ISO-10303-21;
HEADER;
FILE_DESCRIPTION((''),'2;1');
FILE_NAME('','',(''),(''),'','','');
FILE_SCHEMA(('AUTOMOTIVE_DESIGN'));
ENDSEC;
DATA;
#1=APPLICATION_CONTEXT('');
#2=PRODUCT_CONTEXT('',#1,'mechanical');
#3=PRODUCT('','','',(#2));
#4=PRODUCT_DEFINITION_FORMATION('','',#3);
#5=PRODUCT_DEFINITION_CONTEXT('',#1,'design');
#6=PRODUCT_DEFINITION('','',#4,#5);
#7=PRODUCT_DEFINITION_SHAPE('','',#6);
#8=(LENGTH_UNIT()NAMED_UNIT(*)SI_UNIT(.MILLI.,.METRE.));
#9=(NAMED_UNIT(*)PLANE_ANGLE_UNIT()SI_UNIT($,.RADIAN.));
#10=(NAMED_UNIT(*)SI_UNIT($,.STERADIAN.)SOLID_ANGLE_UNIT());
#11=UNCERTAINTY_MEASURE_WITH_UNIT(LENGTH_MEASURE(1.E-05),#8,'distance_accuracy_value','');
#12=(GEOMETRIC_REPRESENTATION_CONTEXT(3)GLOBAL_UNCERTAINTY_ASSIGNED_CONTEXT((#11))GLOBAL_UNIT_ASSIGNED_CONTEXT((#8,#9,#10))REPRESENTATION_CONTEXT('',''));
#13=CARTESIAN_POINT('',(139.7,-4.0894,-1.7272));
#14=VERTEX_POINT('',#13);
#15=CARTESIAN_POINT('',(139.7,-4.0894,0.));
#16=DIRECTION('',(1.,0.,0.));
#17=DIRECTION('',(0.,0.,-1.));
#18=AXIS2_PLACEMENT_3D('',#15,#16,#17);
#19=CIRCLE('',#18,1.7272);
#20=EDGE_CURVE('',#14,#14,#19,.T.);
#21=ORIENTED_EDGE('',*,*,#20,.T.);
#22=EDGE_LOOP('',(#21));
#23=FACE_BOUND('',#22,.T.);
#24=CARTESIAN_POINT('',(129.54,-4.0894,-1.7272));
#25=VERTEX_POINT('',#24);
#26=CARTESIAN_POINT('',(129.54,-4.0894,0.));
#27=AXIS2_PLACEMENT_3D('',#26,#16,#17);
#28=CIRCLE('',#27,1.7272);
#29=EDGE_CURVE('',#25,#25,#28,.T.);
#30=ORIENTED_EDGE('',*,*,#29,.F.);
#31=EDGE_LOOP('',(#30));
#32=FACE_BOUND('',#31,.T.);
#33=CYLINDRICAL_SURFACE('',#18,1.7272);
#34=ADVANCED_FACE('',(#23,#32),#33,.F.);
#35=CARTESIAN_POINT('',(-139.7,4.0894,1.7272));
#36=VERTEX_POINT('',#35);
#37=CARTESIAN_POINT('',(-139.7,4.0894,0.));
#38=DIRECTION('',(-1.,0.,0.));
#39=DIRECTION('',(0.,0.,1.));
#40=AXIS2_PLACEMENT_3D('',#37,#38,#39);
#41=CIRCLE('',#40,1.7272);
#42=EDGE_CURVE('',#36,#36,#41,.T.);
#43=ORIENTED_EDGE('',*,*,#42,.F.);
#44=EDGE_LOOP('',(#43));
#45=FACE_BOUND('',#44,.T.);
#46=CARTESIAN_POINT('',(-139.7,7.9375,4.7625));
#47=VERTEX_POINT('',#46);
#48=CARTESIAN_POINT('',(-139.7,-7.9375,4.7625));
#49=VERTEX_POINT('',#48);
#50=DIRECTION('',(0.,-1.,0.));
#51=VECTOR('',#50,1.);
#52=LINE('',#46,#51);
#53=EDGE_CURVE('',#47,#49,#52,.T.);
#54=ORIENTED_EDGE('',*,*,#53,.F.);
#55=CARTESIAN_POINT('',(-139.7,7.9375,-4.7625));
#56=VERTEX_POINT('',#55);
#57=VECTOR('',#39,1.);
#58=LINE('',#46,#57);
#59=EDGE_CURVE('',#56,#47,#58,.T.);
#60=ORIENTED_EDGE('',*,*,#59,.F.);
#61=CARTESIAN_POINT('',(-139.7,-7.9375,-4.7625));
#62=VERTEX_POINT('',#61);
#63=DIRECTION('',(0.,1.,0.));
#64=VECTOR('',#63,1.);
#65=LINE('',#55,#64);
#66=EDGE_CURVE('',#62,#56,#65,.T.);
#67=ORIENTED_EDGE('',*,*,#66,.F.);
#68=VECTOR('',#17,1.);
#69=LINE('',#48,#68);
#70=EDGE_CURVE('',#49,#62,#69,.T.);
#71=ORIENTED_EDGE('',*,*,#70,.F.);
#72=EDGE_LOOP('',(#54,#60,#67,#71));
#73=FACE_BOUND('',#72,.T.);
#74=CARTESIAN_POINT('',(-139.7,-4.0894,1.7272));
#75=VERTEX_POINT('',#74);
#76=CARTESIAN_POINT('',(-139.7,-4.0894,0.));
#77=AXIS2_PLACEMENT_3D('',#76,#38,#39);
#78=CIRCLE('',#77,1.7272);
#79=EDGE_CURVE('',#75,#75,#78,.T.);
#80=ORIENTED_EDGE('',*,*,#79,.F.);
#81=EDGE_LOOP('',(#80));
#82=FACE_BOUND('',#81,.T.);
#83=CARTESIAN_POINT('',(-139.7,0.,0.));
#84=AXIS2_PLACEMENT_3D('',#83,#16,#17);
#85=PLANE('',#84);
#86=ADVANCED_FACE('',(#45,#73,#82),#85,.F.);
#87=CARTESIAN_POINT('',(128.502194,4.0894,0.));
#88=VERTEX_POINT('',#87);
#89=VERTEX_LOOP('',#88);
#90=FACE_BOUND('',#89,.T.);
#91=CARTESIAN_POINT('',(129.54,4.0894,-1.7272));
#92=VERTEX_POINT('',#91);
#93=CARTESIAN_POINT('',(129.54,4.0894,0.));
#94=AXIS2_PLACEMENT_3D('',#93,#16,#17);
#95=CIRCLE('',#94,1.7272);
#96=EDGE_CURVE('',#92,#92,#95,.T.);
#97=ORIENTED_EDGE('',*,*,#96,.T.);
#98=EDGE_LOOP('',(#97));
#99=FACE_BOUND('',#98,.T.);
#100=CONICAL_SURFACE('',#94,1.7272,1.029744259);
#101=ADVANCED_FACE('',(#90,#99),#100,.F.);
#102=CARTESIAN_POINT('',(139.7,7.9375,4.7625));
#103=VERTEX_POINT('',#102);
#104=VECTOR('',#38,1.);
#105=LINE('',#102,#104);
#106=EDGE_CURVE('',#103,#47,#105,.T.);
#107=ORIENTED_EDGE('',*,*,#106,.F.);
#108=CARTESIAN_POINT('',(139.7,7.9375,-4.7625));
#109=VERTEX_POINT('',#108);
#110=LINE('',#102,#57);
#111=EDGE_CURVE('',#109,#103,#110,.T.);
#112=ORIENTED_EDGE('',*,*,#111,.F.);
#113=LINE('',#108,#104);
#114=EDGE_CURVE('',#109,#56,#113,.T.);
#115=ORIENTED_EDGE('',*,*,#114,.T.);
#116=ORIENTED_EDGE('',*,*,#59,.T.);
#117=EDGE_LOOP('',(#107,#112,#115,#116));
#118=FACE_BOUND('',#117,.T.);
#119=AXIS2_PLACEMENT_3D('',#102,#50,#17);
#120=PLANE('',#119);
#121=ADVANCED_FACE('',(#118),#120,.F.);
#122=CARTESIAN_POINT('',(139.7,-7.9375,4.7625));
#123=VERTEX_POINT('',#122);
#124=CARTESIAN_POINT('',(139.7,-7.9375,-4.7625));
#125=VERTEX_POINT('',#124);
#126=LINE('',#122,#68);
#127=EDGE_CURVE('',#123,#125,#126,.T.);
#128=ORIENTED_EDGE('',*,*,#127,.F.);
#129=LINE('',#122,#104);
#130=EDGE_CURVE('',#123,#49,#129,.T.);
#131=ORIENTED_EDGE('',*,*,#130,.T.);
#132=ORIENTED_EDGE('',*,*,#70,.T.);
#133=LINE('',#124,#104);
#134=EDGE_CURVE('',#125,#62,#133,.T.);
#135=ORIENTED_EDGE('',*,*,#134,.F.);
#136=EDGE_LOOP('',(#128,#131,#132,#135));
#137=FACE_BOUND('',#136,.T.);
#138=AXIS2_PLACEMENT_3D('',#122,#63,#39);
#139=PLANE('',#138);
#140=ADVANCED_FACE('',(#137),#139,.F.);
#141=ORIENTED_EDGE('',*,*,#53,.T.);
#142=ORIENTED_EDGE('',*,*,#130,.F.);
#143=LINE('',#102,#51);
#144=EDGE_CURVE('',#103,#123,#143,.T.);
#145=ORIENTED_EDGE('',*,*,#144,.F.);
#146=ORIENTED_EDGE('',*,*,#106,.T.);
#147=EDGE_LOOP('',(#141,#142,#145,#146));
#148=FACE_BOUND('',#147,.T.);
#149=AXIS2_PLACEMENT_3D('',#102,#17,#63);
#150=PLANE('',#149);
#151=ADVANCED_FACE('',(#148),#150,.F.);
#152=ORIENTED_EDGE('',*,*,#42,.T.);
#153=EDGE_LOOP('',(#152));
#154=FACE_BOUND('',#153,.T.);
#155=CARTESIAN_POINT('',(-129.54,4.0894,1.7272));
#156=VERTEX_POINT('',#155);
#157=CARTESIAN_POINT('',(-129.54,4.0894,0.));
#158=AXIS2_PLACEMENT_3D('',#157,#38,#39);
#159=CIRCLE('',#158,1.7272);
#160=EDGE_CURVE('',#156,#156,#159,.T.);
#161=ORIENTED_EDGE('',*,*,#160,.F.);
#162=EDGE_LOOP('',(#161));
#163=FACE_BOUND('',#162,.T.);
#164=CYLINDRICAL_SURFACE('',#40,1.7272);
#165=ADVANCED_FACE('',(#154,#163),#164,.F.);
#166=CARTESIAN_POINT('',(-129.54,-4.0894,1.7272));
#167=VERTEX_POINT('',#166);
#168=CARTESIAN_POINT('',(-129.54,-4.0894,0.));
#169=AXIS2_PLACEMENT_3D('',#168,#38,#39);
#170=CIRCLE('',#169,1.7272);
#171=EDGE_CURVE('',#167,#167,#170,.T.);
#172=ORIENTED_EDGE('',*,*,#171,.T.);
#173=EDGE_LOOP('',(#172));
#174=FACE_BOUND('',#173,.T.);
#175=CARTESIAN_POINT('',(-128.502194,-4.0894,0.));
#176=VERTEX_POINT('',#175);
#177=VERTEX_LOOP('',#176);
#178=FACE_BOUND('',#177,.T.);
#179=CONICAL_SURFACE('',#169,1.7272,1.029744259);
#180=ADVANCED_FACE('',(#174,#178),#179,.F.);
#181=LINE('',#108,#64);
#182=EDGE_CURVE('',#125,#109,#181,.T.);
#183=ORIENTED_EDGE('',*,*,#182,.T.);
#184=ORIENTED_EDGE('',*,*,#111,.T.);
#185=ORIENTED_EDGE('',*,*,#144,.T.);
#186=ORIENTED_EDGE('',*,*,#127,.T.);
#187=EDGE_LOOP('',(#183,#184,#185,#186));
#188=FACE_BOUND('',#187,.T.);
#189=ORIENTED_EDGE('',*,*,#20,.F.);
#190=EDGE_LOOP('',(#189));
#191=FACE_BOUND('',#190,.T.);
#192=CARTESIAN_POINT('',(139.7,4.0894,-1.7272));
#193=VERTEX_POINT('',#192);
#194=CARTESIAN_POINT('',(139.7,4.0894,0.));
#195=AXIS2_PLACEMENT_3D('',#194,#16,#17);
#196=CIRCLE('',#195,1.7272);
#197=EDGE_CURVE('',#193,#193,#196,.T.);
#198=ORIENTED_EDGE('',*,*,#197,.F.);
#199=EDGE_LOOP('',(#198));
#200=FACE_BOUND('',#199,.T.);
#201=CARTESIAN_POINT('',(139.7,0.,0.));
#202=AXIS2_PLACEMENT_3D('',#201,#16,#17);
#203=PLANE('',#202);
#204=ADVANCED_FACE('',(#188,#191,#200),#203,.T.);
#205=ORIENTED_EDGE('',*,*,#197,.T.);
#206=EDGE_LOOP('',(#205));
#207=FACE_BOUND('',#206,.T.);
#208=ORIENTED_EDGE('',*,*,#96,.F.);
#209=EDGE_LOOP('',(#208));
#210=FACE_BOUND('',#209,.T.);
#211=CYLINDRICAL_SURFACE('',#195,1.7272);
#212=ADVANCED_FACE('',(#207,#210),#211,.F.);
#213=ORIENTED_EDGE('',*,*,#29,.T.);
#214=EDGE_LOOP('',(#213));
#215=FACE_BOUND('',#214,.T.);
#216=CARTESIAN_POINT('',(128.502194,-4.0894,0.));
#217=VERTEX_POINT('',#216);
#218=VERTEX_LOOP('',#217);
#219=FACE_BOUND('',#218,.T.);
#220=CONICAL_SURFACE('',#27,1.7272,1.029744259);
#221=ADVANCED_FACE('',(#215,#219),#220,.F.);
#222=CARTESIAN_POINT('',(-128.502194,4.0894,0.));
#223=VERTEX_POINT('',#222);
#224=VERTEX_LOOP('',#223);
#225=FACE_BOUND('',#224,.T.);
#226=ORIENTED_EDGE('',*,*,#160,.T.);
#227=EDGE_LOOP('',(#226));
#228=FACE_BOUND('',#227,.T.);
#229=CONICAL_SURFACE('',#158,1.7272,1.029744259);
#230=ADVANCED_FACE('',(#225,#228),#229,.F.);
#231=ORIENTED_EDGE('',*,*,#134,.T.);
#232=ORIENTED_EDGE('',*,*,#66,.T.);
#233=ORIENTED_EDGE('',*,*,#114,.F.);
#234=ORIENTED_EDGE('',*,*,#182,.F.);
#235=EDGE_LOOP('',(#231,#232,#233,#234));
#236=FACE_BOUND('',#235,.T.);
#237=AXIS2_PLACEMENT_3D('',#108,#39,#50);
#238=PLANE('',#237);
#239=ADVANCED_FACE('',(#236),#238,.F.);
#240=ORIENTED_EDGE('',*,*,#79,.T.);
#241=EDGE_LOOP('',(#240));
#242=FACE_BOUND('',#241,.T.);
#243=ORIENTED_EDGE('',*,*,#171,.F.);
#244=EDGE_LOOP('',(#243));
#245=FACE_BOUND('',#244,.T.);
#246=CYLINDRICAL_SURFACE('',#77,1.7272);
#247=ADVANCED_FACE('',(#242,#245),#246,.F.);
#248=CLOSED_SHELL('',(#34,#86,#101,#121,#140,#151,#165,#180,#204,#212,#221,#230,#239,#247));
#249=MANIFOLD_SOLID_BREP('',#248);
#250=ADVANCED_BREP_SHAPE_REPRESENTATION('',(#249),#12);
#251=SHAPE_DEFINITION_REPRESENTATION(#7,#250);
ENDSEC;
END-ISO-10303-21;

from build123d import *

# Parameters (mm, degrees)
SKETCH1_W                          = 9.525
SKETCH1_H                          = 15.875
BOSS_EXTRUDE1_DEPTH                = 139.7
TAP_DRILL_FOR_8_32_TAP1_AT_2_COUNT = 2
TAP_DRILL_FOR_8_32_TAP1_AT_2_PITCH = 8.1788


with BuildPart() as part:
    # Sketch1 → Boss-Extrude1 (new, symmetric)
    with BuildSketch(Plane(origin=(0, 0, 0), x_dir=(0, 0, -1), z_dir=(1, 0, 0))):
        Rectangle(SKETCH1_W, SKETCH1_H)
    extrude(amount=BOSS_EXTRUDE1_DEPTH, both=True)

    # Sketch4 → Tap Drill for #8-32 Tap1 (revolve, cut)
    with BuildSketch(Plane(origin=(139.7, 4.0894, 0), x_dir=(0, 0, -1), z_dir=(0, 1, 0))):
        Polygon((0, 0), (0, 11.197806461), (1.7272, 10.16), (1.7272, 0), align=None)
    tap_drill_for_8_32_tap1 = revolve(axis=Axis((146.05, 4.0894, 0), (-1, 0, 0)), mode=Mode.SUBTRACT)

    # Tap Drill for #8-32 Tap1 at 2: Tap Drill for #8-32 Tap1 ×2
    with Locations(*[(0, -i * TAP_DRILL_FOR_8_32_TAP1_AT_2_PITCH, 0) for i in range(1, TAP_DRILL_FOR_8_32_TAP1_AT_2_COUNT)]):
        add(tap_drill_for_8_32_tap1, mode=Mode.SUBTRACT)

    # Mirror1: Tap Drill for #8-32 Tap1 across plane
    add(tap_drill_for_8_32_tap1.mirror(Plane(origin=(0, 0, 0), x_dir=(0, 0, 1), z_dir=(1, 0, 0))), mode=Mode.SUBTRACT)

    # Mirror1 copy 1 sketch → Mirror1 copy 1 (revolve, cut)
    with BuildSketch(Plane(origin=(-139.7, -4.0894, 0), x_dir=(0, 0, -1), z_dir=(0, 1, 0))):
        Polygon((0, 0), (0, -11.197806461), (1.7272, -10.16), (1.7272, 0), align=None)
    revolve(axis=Axis((-146.05, -4.0894, 0), (-1, 0, 0)), mode=Mode.SUBTRACT)


solid = part.part
